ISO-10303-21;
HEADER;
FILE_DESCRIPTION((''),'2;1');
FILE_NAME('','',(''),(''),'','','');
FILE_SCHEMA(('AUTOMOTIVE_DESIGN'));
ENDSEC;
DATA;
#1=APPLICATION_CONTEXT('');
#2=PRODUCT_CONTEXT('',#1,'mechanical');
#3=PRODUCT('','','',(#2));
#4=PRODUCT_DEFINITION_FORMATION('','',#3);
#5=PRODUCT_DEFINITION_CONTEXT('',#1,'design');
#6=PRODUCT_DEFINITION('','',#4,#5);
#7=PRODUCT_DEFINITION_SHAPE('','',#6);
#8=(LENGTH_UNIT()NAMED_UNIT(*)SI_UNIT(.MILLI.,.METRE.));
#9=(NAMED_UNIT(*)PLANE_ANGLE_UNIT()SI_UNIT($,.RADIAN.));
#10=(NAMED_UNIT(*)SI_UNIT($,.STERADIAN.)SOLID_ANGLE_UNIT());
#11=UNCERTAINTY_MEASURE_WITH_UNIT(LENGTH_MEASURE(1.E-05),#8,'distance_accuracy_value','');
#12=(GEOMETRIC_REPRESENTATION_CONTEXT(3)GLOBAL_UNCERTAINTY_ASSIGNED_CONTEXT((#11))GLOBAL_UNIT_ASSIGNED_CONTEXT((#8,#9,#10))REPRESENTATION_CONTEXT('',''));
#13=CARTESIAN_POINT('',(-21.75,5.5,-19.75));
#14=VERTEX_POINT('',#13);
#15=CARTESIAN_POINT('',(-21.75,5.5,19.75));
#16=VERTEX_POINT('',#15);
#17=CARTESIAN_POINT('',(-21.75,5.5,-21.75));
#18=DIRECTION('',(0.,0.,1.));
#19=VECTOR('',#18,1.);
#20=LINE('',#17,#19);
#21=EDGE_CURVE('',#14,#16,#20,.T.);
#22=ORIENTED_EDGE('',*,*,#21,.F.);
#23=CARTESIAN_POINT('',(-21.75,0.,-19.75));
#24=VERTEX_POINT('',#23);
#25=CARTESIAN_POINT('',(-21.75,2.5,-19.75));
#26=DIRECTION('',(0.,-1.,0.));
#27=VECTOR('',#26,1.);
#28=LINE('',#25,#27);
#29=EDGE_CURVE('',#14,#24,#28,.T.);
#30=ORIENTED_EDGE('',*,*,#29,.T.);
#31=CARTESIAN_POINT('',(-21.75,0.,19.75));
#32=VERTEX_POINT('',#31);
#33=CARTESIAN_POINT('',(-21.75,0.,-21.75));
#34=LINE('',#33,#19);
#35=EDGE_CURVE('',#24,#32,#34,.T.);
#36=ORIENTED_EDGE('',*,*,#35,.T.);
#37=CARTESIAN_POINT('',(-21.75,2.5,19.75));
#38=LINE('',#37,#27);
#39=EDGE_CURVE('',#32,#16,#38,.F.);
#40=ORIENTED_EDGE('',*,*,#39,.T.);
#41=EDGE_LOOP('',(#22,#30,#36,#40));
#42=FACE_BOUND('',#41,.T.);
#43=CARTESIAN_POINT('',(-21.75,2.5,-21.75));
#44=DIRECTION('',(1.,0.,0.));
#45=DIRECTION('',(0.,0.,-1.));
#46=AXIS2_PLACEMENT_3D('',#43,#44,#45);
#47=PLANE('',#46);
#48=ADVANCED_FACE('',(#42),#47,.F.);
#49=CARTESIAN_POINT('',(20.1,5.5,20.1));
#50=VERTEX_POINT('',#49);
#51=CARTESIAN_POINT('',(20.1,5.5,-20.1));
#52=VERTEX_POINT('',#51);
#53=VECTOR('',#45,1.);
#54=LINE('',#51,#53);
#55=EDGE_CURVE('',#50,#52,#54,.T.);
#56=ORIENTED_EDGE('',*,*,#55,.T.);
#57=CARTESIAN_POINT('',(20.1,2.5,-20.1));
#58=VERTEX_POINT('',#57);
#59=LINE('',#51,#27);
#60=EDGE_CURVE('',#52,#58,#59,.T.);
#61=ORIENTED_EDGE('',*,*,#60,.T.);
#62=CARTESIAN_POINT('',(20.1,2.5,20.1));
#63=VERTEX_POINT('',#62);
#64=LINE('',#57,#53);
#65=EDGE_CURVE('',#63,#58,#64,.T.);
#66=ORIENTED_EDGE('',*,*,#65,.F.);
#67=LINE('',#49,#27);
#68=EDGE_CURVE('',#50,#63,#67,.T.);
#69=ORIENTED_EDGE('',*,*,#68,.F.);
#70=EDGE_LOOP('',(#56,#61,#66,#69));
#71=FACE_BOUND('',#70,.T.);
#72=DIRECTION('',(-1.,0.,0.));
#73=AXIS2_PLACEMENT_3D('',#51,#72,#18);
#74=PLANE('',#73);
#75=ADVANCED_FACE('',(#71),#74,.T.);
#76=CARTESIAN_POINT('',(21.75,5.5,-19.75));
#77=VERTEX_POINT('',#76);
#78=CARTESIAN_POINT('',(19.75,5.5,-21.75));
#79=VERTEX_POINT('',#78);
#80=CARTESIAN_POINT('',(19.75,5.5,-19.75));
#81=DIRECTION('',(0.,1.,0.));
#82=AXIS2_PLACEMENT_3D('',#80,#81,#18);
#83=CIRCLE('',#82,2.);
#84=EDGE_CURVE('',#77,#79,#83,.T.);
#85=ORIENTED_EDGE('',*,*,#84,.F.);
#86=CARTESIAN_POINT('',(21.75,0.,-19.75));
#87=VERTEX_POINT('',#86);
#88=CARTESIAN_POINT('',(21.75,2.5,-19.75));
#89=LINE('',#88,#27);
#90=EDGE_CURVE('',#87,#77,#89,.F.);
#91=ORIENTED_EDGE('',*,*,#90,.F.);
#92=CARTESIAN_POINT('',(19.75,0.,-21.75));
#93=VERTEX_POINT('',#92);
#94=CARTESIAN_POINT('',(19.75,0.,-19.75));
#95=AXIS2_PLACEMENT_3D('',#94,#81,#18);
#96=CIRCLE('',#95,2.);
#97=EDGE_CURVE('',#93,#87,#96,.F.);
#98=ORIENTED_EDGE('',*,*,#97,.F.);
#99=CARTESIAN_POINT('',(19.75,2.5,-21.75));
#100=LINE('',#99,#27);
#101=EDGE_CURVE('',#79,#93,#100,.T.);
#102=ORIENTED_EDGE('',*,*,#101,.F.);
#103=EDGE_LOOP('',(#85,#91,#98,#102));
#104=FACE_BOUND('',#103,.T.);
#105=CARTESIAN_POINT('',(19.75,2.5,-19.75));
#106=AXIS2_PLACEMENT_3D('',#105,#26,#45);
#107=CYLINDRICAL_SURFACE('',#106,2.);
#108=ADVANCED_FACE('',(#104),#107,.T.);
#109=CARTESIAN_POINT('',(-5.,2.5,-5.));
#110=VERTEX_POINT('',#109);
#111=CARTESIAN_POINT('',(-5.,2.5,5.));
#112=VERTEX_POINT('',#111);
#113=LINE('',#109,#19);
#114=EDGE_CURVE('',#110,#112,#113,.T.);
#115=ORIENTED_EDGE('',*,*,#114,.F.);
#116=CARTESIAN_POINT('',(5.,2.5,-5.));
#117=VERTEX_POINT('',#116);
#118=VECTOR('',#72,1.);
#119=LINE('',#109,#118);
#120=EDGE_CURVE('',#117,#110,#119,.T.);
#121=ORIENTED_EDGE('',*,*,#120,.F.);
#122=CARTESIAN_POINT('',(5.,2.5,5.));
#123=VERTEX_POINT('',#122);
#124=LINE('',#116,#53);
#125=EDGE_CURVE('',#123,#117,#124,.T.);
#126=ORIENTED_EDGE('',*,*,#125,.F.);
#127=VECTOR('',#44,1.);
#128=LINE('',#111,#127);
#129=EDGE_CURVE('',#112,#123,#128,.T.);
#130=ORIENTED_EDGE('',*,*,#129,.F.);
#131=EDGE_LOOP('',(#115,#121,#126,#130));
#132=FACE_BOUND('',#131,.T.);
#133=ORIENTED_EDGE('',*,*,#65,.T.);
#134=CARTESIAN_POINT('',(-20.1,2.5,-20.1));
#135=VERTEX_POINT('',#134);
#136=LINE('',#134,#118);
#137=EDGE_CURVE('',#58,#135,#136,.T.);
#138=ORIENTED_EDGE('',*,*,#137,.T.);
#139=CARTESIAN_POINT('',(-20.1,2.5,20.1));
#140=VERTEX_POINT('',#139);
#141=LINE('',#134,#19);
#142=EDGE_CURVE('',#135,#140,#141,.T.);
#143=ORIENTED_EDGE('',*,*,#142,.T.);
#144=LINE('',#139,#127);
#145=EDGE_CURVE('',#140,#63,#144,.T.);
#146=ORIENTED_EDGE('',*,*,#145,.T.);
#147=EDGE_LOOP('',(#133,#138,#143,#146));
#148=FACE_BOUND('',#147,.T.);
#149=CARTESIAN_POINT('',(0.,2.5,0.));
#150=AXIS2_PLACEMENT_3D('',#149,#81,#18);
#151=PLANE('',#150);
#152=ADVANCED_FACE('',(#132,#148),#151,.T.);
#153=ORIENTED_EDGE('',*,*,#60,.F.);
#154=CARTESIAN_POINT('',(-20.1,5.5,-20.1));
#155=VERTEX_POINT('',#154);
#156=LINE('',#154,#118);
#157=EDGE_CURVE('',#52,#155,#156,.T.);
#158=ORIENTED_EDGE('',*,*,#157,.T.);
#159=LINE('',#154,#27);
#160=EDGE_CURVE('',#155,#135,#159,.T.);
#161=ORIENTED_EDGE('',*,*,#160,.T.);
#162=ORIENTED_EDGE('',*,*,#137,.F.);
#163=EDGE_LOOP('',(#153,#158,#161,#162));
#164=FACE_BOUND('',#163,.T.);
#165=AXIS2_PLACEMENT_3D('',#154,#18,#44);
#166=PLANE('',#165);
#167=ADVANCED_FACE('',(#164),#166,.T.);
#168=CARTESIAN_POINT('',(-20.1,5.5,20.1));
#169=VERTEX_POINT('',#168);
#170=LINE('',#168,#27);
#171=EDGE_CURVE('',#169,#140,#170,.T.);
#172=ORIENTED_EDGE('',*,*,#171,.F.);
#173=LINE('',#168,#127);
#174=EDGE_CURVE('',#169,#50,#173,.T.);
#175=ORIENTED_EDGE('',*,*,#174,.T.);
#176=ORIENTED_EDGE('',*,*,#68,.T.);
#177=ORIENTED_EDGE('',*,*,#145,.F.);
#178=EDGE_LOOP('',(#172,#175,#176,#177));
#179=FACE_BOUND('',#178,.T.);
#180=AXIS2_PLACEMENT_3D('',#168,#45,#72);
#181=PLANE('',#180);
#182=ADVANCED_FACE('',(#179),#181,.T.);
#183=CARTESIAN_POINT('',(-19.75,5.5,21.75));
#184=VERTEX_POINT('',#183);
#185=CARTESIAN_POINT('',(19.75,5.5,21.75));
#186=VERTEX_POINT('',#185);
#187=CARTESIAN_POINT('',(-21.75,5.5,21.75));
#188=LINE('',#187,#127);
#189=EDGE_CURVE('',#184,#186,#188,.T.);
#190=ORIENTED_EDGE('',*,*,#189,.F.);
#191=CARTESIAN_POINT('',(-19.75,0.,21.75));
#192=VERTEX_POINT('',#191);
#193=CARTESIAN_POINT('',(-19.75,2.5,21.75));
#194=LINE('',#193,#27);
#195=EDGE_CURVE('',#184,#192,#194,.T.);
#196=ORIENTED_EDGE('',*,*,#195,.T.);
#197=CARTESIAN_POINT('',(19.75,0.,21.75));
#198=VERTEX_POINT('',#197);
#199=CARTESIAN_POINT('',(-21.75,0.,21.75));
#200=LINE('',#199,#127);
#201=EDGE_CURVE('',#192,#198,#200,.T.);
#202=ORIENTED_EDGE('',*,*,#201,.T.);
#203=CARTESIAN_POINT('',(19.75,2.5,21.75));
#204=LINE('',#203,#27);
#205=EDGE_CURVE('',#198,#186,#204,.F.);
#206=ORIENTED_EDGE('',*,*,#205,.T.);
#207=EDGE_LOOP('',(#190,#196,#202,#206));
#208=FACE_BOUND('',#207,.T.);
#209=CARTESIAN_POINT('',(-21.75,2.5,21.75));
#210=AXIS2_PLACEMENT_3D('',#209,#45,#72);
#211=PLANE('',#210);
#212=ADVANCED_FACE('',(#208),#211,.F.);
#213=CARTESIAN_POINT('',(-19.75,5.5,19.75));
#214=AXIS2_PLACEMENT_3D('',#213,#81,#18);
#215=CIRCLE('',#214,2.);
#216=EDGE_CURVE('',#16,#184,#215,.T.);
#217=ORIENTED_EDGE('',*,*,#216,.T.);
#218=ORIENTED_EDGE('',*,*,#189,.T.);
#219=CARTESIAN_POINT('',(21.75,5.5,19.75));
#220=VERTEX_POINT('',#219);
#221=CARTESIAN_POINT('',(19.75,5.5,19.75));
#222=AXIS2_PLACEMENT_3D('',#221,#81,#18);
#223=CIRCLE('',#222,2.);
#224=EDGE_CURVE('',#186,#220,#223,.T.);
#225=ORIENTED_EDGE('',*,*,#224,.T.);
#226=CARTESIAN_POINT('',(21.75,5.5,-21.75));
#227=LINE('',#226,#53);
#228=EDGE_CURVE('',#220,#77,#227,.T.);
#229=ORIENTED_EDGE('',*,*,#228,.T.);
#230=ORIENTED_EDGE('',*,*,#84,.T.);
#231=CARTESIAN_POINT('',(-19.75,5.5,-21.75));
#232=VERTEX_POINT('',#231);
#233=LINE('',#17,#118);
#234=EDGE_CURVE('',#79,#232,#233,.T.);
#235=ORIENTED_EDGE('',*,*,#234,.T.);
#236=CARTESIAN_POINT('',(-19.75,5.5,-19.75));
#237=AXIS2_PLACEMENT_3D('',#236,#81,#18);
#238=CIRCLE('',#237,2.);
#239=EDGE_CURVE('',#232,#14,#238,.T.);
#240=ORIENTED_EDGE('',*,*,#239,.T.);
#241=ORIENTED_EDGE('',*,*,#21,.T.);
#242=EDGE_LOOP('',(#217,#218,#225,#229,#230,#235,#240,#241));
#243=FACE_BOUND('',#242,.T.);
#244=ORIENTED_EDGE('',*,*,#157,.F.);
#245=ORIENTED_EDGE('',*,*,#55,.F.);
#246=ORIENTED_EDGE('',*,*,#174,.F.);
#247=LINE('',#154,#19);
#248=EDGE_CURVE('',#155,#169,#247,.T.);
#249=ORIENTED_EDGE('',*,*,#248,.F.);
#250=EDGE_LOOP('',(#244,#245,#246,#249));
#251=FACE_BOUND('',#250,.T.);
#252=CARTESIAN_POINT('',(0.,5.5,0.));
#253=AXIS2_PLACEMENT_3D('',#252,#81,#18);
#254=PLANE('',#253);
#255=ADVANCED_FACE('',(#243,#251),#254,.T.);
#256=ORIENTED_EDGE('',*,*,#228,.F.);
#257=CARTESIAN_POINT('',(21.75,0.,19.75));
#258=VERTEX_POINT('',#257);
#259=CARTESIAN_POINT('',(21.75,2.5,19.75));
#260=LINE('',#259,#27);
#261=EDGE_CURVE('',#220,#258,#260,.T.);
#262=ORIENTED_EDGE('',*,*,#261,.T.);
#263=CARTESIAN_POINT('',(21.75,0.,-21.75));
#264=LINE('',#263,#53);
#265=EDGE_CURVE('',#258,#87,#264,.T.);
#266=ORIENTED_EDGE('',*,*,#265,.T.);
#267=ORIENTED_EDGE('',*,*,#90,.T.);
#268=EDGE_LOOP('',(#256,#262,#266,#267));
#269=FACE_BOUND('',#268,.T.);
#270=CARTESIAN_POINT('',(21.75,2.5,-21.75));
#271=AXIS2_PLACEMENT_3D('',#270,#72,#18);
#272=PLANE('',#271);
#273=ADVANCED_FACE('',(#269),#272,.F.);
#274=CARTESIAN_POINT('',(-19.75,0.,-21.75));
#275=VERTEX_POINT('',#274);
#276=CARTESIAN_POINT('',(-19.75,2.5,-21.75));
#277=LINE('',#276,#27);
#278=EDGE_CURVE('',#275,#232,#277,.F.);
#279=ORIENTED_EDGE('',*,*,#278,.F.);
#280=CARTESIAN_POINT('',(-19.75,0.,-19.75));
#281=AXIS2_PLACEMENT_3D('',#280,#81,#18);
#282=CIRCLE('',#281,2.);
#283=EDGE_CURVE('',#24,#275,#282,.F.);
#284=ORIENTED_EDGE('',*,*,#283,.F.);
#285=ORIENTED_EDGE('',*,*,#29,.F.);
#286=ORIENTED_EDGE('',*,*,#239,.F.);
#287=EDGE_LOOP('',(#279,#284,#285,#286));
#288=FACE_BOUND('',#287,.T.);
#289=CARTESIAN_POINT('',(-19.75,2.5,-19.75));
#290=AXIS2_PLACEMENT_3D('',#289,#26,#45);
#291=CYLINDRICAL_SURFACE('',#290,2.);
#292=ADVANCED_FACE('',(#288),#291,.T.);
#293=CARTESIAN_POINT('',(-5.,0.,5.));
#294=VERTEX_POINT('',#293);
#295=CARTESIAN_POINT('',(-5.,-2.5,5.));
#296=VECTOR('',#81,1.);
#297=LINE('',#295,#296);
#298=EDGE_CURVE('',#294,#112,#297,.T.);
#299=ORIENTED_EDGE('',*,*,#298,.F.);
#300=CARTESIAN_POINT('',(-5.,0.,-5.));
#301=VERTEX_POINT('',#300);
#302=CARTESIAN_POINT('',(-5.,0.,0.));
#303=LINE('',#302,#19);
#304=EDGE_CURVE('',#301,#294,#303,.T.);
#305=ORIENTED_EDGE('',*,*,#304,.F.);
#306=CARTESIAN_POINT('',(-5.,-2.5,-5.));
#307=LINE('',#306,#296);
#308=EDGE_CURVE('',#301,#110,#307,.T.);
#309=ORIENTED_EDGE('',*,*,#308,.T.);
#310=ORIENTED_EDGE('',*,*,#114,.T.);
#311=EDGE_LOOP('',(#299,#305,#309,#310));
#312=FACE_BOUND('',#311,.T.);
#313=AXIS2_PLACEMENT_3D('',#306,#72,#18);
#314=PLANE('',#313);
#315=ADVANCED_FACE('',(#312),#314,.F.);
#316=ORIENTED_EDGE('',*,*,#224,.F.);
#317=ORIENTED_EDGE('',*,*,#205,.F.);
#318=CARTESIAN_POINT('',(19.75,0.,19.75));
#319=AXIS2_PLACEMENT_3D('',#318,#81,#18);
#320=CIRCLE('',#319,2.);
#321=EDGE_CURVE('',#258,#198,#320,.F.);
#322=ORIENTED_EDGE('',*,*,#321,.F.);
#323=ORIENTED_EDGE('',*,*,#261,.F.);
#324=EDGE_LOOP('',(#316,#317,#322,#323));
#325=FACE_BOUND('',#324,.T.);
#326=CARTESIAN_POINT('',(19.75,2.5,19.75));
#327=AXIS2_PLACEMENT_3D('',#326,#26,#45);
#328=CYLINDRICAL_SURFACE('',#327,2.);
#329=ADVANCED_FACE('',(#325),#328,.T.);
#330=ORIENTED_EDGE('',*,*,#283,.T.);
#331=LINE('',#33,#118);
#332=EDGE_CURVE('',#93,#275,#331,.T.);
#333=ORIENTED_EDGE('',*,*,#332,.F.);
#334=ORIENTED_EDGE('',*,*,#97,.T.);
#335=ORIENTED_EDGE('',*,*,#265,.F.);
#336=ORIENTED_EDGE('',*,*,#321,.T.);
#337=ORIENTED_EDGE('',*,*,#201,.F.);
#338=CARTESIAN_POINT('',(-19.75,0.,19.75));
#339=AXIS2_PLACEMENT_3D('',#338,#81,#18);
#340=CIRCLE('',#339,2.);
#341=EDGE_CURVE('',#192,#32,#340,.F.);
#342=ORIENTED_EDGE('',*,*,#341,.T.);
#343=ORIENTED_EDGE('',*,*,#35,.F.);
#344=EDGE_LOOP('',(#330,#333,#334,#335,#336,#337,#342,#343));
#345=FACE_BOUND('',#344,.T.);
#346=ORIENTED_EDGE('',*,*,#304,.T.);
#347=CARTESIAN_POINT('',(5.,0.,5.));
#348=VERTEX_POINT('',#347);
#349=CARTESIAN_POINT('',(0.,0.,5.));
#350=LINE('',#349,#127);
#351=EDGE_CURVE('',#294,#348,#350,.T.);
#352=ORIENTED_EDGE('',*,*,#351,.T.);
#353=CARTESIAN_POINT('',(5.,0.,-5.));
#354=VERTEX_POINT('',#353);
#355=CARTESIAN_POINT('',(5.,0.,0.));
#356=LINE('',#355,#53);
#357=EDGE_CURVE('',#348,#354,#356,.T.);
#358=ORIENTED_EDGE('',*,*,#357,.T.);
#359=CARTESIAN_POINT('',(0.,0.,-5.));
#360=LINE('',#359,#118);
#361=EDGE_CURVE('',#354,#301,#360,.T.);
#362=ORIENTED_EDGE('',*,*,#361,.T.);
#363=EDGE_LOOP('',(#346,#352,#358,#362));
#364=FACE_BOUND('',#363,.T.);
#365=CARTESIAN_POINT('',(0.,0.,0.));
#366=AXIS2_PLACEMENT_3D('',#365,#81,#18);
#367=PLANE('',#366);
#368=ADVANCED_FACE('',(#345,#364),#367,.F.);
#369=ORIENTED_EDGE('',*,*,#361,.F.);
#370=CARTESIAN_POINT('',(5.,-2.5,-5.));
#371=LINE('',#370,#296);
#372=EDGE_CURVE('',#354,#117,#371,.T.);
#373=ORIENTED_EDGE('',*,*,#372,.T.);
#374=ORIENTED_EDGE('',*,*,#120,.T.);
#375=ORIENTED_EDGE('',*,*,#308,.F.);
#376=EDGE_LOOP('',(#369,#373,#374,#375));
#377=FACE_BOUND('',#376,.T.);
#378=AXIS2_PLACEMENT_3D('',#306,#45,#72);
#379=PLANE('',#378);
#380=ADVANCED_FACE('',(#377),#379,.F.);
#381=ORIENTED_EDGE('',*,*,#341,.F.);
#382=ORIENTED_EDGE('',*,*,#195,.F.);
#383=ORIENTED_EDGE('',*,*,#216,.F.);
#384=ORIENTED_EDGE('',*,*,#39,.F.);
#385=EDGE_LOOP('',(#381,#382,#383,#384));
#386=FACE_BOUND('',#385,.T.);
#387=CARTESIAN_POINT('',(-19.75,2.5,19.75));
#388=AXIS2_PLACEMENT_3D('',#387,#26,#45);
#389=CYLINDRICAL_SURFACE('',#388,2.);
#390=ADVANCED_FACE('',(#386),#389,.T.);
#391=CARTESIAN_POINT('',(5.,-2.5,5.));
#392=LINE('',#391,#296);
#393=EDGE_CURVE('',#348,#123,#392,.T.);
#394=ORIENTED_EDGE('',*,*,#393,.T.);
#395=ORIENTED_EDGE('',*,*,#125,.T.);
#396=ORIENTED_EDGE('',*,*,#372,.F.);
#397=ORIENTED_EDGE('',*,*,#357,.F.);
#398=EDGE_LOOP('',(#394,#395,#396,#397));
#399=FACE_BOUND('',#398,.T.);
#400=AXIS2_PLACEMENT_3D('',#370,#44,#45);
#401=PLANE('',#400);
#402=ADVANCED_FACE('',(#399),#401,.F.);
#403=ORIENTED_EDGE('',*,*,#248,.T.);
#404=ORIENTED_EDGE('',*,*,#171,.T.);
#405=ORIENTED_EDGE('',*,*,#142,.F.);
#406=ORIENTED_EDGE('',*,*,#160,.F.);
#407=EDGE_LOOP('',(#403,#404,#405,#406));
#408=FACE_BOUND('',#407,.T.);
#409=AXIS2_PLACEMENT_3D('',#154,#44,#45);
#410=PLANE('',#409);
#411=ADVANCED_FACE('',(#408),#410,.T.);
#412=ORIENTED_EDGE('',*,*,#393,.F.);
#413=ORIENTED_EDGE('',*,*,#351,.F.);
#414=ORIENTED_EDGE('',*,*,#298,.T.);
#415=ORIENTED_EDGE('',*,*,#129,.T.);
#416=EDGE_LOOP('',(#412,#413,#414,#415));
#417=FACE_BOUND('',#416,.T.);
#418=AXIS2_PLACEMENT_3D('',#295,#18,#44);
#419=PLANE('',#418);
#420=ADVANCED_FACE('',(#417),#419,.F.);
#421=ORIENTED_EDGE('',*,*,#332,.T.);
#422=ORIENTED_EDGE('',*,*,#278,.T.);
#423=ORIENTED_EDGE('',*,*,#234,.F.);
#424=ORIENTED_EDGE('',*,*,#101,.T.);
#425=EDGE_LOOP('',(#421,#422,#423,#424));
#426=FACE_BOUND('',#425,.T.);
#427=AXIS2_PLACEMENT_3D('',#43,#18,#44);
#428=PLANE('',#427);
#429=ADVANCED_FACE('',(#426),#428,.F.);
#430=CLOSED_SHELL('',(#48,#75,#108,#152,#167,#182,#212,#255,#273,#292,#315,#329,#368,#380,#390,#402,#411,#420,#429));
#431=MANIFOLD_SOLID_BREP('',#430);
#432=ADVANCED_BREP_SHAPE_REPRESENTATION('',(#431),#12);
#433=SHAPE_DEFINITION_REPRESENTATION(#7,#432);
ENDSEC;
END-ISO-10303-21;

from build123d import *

# Parameters (mm, degrees)
SKETCH1_W           = 43.5
SKETCH1_H           = 43.5
BOSS_EXTRUDE2_DEPTH = 2.5
SKETCH3_W           = 43.5
SKETCH3_H           = 43.5
SKETCH3_W_2         = 40.2
SKETCH3_H_2         = 40.2
BOSS_EXTRUDE3_DEPTH = 3
SKETCH4_W           = 10
SKETCH4_H           = 10
CUT_EXTRUDE1_DEPTH  = 5
FILLET1_R           = 2


with BuildPart() as part:
    # Sketch1 → Boss-Extrude2 (new body)
    with BuildSketch(Plane(origin=(0, 0, 0), x_dir=(1, 0, 0), z_dir=(0, 1, 0))):
        Rectangle(SKETCH1_W, SKETCH1_H)
    extrude(amount=BOSS_EXTRUDE2_DEPTH)

    # Sketch3 → Boss-Extrude3 (add)
    with BuildSketch(Plane(origin=(0, 2.5, 0), x_dir=(1, 0, 0), z_dir=(0, 1, 0))):
        Rectangle(SKETCH3_W, SKETCH3_H)
        Rectangle(SKETCH3_W_2, SKETCH3_H_2, mode=Mode.SUBTRACT)
    extrude(amount=BOSS_EXTRUDE3_DEPTH)

    # Sketch4 → Cut-Extrude1 (cut)
    with BuildSketch(Plane(origin=(0, 2.5, 0), x_dir=(1, 0, 0), z_dir=(0, 1, 0))):
        Rectangle(SKETCH4_W, SKETCH4_H)
    extrude(amount=-CUT_EXTRUDE1_DEPTH, mode=Mode.SUBTRACT)

    # Fillet1
    fillet1_edges = [part.edges().sort_by_distance(p)[0] for p in [
        (21.75, 2.75, 21.75),
        (-21.75, 2.75, 21.75),
        (-21.75, 2.75, -21.75),
        (21.75, 2.75, -21.75),
    ]]
    fillet(fillet1_edges, radius=FILLET1_R)


solid = part.part
